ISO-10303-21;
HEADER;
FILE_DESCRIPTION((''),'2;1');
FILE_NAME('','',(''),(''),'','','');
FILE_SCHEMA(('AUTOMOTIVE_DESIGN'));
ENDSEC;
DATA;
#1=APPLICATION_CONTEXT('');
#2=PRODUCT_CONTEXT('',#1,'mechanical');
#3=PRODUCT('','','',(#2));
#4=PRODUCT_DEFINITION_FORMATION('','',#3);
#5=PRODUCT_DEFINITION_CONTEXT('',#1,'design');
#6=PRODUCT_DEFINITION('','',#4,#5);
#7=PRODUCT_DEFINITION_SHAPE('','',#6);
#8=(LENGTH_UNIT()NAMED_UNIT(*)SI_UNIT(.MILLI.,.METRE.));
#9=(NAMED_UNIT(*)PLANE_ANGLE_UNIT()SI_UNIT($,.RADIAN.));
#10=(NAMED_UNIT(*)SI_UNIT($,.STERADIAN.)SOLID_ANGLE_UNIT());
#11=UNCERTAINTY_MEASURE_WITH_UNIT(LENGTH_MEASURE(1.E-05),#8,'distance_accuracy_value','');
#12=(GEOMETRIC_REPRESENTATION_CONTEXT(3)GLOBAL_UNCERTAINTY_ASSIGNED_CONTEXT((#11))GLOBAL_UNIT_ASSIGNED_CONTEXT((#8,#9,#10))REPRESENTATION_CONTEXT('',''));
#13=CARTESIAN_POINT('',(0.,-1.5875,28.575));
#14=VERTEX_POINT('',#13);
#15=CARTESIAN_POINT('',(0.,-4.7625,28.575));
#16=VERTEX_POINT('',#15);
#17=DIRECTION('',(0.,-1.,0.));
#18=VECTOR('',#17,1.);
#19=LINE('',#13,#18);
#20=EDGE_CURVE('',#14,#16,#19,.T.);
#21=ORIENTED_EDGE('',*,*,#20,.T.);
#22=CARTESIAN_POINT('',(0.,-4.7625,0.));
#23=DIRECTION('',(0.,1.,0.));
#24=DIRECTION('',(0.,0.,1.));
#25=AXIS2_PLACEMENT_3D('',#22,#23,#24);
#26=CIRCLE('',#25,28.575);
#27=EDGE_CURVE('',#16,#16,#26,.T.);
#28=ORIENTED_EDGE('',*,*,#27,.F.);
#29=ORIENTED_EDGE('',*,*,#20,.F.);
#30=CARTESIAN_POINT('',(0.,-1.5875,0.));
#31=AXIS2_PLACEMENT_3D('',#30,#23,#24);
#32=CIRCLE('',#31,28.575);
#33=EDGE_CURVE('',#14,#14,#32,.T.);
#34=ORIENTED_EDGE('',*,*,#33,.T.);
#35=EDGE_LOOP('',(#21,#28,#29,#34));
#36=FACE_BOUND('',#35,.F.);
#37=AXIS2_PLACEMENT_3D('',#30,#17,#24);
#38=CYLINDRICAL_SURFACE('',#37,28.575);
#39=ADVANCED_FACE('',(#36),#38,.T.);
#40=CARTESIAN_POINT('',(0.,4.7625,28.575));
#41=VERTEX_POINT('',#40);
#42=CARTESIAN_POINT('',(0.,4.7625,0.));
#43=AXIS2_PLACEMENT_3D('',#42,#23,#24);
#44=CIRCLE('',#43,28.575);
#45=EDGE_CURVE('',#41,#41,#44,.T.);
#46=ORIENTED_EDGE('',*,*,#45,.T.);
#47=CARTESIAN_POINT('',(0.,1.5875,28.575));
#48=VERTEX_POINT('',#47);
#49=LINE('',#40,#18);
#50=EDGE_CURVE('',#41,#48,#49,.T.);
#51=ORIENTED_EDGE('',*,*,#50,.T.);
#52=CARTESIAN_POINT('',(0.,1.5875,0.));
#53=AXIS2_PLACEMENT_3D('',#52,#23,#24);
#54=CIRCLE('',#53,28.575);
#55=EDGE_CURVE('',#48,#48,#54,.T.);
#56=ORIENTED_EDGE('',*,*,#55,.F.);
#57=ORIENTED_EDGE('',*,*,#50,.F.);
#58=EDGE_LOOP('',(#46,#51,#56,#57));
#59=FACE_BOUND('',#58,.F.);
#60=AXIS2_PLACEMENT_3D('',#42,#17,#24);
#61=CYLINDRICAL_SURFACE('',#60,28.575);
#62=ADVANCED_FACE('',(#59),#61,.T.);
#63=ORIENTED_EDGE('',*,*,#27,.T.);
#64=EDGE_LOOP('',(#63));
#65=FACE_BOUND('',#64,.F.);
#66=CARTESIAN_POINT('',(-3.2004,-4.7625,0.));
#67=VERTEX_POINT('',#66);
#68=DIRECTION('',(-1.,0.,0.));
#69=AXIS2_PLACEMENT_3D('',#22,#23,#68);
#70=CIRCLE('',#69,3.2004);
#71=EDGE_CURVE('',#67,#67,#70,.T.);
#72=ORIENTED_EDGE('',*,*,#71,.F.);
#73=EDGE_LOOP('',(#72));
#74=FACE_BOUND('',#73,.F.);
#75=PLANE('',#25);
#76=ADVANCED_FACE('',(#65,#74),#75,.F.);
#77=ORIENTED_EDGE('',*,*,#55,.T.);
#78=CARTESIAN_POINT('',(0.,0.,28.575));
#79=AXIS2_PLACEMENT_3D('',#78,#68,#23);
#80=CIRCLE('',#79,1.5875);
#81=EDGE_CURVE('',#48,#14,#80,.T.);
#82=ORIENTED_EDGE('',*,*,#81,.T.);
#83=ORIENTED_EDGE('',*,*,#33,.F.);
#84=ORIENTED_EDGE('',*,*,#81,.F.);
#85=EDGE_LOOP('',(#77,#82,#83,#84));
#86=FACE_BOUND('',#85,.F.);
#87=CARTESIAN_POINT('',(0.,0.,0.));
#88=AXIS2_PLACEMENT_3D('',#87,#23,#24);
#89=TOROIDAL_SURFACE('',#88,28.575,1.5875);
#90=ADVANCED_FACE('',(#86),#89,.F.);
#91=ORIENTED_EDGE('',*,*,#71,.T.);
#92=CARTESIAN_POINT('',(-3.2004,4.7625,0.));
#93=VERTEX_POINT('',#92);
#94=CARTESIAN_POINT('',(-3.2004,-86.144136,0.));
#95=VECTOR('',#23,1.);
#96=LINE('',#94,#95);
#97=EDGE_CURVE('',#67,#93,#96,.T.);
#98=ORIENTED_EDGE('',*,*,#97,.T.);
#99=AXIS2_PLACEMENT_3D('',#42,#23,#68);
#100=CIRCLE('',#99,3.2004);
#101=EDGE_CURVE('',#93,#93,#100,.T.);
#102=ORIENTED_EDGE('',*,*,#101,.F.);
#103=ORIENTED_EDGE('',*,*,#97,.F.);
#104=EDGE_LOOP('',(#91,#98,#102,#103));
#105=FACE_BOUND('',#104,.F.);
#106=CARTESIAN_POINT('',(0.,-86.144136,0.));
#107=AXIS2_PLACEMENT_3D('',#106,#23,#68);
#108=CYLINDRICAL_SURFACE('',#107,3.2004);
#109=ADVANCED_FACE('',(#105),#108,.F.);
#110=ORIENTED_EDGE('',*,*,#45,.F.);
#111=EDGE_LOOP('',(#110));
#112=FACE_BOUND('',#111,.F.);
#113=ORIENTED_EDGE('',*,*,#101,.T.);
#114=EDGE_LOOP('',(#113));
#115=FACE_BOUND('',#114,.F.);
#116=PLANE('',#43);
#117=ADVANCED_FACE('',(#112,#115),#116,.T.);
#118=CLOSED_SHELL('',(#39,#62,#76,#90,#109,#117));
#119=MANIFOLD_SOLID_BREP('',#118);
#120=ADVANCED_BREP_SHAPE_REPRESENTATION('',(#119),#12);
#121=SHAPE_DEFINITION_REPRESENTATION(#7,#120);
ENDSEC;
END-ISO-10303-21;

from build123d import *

# Parameters (mm, degrees)
F3_D = 6.4008


with BuildPart() as f1:
    # F0 (on Right) → F1 (revolve)
    with BuildSketch(Plane.YZ):
        with BuildLine():
            Line((-4.7625, 28.575), (-4.7625, 0))
            Line((-4.7625, 0), (0, 0))
            Line((0, 0), (4.7625, 0))
            Line((4.7625, 0), (4.7625, 28.575))
            Line((4.7625, 28.575), (1.5875, 28.575))
            ThreePointArc((1.5875, 28.575), (0, 26.9875), (-1.5875, 28.575))
            Line((-1.5875, 28.575), (-4.7625, 28.575))
        make_face()
    revolve(axis=Axis((0, 2.38125, 0), (0, 1, 0)))

    # F3 (through all)
    with Locations(Plane.XZ.offset(4.7625)):
        with Locations((0, 0)):
            Hole(F3_D / 2)


solid = f1.part
